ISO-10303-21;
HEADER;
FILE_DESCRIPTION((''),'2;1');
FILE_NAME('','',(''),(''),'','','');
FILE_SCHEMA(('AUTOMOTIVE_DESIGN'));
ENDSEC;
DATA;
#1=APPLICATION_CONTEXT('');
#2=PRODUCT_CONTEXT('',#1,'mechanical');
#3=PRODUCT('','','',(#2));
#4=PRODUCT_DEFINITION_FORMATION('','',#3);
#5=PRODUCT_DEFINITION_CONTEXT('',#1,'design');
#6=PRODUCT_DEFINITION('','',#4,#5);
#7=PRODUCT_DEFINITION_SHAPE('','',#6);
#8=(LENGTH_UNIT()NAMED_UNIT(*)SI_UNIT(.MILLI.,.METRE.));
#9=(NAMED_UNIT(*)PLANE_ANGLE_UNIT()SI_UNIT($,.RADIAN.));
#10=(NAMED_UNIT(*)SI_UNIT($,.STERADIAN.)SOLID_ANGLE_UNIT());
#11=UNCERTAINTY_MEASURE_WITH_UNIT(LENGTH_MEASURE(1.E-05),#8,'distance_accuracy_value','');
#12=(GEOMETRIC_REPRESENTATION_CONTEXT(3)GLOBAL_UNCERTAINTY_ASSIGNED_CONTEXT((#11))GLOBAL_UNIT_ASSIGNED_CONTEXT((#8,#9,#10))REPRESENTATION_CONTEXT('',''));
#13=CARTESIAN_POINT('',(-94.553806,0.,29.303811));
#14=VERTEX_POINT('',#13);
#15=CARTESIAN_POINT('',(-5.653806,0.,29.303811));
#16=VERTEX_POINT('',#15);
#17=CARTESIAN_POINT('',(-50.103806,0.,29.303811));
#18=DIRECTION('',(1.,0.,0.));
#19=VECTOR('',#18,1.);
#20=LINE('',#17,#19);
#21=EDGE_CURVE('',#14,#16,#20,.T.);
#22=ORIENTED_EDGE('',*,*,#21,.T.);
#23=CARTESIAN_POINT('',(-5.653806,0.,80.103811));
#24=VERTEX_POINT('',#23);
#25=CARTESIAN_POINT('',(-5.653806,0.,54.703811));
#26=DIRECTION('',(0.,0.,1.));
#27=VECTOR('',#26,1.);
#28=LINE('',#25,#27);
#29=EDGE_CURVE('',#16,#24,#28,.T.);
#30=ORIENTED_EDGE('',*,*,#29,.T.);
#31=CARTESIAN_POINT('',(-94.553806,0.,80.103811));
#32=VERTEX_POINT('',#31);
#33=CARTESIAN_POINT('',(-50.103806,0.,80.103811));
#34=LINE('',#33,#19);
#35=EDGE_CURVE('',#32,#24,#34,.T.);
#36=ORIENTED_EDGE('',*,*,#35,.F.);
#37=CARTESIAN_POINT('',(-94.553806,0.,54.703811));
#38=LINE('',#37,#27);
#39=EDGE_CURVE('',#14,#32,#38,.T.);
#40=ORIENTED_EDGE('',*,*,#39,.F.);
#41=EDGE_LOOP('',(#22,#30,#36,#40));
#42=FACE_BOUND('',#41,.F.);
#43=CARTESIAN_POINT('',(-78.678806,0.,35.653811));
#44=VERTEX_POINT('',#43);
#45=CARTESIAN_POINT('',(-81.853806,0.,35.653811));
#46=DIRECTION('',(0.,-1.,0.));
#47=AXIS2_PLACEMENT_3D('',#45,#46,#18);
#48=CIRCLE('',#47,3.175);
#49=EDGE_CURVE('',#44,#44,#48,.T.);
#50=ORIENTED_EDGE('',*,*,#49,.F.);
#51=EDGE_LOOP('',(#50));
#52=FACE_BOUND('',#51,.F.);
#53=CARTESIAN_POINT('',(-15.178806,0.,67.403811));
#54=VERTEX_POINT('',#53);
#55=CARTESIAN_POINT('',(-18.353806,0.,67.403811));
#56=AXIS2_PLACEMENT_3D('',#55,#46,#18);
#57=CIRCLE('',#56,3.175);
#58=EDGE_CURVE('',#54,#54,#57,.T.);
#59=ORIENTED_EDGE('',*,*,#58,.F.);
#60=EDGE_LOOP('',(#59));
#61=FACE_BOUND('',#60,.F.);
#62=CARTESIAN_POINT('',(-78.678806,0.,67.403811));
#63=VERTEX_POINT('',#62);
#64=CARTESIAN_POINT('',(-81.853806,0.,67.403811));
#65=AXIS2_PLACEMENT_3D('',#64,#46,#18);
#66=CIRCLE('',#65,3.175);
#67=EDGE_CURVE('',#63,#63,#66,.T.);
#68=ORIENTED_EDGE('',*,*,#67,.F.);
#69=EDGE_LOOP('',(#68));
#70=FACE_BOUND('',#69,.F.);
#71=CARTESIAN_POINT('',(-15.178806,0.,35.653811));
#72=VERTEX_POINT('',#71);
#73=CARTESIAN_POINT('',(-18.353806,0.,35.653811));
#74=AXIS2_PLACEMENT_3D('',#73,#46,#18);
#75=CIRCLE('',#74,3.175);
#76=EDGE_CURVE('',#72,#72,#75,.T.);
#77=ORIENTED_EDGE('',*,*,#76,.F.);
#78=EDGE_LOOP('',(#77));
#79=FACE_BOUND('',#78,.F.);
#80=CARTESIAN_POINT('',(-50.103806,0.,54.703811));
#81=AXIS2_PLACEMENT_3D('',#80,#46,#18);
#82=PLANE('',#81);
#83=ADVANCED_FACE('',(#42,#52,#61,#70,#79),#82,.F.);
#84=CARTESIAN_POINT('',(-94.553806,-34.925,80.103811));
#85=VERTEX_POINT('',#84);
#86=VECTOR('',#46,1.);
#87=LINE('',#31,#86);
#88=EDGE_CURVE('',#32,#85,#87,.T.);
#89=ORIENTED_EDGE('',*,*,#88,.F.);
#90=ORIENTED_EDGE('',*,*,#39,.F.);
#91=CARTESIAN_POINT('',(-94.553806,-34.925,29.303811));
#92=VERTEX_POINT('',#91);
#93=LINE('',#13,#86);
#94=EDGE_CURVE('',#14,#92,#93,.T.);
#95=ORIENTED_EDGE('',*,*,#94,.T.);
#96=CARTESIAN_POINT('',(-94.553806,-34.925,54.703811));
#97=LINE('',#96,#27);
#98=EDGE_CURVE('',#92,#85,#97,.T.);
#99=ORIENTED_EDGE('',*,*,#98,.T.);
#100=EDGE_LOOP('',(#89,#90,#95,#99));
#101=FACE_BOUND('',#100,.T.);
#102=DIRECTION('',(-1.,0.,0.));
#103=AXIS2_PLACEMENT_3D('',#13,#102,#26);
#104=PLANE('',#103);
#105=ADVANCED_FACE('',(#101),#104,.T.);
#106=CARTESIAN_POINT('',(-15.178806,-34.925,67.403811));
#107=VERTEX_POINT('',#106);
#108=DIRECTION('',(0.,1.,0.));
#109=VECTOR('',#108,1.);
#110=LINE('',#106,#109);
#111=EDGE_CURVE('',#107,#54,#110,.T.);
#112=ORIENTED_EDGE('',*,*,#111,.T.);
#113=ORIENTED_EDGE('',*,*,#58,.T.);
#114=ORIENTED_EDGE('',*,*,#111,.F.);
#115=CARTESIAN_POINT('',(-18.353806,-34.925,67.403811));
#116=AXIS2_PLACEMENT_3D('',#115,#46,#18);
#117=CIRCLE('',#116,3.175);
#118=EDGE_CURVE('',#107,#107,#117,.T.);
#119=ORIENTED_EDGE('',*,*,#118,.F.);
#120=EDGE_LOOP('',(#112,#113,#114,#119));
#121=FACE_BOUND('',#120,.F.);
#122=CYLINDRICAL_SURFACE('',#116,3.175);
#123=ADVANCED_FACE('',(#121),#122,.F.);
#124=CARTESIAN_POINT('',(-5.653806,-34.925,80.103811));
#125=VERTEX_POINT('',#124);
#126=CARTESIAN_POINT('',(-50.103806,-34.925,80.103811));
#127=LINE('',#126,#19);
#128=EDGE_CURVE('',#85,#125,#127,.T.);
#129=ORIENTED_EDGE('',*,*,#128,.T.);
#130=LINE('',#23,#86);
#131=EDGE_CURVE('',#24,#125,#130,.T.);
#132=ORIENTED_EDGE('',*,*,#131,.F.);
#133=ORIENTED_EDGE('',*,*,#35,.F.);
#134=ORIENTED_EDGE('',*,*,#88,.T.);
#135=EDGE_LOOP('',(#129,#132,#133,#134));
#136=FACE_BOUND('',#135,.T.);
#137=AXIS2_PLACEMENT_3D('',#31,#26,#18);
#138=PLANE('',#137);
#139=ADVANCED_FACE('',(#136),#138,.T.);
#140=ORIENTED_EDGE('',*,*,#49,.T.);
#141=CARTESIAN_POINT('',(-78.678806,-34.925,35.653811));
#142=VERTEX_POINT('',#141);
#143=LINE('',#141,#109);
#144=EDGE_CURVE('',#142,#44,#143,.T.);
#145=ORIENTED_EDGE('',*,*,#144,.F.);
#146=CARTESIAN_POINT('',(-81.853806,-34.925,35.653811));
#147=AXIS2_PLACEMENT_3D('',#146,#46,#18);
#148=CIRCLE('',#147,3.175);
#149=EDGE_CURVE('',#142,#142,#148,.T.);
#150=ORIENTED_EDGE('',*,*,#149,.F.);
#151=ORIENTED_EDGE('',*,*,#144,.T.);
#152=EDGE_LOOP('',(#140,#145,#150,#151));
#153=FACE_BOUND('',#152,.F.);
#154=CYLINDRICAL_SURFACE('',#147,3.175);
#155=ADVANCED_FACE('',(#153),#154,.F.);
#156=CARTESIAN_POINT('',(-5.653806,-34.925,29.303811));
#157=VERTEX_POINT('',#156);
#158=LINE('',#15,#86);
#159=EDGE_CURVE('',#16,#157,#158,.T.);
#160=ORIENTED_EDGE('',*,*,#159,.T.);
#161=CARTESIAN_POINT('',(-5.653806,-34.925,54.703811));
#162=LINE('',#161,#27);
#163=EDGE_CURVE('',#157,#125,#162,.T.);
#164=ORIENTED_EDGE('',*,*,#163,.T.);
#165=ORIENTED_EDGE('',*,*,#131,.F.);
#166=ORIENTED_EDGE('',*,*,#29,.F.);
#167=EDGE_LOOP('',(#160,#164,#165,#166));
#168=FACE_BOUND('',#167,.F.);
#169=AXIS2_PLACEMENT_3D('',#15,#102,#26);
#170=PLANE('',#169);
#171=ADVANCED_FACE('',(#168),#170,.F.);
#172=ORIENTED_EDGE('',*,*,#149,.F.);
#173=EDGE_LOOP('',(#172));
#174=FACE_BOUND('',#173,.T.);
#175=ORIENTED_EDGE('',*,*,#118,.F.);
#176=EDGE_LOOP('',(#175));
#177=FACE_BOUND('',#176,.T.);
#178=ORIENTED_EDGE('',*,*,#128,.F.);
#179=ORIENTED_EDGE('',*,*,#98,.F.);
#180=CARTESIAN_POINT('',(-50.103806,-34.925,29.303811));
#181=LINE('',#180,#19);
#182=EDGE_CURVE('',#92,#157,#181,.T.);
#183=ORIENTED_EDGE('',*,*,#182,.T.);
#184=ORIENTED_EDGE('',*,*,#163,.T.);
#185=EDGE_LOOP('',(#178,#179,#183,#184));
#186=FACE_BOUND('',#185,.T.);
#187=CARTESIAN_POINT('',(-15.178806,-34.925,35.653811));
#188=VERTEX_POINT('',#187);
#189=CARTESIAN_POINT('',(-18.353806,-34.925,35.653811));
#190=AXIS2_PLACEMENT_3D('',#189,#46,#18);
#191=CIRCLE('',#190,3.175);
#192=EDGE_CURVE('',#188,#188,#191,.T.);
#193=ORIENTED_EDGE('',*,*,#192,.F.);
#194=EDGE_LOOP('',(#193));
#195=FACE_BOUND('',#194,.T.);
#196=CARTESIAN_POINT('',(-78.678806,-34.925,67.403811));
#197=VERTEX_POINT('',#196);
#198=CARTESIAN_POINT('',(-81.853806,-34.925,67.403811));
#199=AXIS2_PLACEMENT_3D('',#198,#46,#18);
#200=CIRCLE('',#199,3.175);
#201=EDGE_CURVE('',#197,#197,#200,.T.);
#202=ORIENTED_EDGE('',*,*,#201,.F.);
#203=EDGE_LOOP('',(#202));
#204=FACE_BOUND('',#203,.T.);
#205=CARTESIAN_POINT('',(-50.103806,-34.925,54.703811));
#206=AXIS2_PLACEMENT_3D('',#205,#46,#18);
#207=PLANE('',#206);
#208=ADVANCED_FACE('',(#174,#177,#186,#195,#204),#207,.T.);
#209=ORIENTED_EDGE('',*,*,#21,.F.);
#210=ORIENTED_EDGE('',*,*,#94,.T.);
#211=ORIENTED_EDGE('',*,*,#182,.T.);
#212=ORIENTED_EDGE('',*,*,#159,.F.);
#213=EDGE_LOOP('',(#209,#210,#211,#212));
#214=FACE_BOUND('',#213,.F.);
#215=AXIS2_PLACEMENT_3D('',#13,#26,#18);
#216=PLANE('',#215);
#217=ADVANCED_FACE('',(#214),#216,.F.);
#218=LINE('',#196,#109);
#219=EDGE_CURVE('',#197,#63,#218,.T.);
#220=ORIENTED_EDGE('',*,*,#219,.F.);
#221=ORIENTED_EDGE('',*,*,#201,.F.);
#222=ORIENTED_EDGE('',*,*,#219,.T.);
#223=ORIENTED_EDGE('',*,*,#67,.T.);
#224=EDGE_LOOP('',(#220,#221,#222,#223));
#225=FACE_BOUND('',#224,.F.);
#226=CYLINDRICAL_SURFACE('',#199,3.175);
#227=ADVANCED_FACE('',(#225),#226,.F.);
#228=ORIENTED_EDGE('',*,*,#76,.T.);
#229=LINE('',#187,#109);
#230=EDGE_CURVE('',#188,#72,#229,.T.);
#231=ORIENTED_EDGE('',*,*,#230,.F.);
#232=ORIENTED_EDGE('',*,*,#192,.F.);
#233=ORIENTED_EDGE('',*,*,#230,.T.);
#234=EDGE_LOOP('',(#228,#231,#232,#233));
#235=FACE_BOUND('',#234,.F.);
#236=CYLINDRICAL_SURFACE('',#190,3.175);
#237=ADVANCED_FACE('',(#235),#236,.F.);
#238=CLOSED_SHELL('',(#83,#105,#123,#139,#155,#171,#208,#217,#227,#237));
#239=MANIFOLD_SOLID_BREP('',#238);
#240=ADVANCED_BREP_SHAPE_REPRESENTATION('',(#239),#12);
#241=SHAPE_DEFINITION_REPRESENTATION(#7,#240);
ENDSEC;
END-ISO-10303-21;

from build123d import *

# Parameters (mm, degrees)
F0_W     = 88.9
F0_H     = 50.8
F1_DEPTH = 34.925
F2_R     = 3.175
F3_DEPTH = 34.925


with BuildPart() as f1:
    # F0 (on Front) → F1 (new body)
    with BuildSketch(Plane.XZ):
        with Locations((-50.103806, 54.703811)):
            Rectangle(F0_W, F0_H)
    extrude(amount=F1_DEPTH)

    # F2 (on face) → F3 (cut)
    with BuildSketch(Plane.XZ.offset(34.925)):
        with Locations((-81.853806, 67.403811)):
            Circle(F2_R)
        with Locations((-81.853806, 35.653811)):
            Circle(F2_R)
        with Locations((-18.353806, 67.403811)):
            Circle(F2_R)
        with Locations((-18.353806, 35.653811)):
            Circle(F2_R)
    extrude(amount=-F3_DEPTH, mode=Mode.SUBTRACT)


solid = f1.part
